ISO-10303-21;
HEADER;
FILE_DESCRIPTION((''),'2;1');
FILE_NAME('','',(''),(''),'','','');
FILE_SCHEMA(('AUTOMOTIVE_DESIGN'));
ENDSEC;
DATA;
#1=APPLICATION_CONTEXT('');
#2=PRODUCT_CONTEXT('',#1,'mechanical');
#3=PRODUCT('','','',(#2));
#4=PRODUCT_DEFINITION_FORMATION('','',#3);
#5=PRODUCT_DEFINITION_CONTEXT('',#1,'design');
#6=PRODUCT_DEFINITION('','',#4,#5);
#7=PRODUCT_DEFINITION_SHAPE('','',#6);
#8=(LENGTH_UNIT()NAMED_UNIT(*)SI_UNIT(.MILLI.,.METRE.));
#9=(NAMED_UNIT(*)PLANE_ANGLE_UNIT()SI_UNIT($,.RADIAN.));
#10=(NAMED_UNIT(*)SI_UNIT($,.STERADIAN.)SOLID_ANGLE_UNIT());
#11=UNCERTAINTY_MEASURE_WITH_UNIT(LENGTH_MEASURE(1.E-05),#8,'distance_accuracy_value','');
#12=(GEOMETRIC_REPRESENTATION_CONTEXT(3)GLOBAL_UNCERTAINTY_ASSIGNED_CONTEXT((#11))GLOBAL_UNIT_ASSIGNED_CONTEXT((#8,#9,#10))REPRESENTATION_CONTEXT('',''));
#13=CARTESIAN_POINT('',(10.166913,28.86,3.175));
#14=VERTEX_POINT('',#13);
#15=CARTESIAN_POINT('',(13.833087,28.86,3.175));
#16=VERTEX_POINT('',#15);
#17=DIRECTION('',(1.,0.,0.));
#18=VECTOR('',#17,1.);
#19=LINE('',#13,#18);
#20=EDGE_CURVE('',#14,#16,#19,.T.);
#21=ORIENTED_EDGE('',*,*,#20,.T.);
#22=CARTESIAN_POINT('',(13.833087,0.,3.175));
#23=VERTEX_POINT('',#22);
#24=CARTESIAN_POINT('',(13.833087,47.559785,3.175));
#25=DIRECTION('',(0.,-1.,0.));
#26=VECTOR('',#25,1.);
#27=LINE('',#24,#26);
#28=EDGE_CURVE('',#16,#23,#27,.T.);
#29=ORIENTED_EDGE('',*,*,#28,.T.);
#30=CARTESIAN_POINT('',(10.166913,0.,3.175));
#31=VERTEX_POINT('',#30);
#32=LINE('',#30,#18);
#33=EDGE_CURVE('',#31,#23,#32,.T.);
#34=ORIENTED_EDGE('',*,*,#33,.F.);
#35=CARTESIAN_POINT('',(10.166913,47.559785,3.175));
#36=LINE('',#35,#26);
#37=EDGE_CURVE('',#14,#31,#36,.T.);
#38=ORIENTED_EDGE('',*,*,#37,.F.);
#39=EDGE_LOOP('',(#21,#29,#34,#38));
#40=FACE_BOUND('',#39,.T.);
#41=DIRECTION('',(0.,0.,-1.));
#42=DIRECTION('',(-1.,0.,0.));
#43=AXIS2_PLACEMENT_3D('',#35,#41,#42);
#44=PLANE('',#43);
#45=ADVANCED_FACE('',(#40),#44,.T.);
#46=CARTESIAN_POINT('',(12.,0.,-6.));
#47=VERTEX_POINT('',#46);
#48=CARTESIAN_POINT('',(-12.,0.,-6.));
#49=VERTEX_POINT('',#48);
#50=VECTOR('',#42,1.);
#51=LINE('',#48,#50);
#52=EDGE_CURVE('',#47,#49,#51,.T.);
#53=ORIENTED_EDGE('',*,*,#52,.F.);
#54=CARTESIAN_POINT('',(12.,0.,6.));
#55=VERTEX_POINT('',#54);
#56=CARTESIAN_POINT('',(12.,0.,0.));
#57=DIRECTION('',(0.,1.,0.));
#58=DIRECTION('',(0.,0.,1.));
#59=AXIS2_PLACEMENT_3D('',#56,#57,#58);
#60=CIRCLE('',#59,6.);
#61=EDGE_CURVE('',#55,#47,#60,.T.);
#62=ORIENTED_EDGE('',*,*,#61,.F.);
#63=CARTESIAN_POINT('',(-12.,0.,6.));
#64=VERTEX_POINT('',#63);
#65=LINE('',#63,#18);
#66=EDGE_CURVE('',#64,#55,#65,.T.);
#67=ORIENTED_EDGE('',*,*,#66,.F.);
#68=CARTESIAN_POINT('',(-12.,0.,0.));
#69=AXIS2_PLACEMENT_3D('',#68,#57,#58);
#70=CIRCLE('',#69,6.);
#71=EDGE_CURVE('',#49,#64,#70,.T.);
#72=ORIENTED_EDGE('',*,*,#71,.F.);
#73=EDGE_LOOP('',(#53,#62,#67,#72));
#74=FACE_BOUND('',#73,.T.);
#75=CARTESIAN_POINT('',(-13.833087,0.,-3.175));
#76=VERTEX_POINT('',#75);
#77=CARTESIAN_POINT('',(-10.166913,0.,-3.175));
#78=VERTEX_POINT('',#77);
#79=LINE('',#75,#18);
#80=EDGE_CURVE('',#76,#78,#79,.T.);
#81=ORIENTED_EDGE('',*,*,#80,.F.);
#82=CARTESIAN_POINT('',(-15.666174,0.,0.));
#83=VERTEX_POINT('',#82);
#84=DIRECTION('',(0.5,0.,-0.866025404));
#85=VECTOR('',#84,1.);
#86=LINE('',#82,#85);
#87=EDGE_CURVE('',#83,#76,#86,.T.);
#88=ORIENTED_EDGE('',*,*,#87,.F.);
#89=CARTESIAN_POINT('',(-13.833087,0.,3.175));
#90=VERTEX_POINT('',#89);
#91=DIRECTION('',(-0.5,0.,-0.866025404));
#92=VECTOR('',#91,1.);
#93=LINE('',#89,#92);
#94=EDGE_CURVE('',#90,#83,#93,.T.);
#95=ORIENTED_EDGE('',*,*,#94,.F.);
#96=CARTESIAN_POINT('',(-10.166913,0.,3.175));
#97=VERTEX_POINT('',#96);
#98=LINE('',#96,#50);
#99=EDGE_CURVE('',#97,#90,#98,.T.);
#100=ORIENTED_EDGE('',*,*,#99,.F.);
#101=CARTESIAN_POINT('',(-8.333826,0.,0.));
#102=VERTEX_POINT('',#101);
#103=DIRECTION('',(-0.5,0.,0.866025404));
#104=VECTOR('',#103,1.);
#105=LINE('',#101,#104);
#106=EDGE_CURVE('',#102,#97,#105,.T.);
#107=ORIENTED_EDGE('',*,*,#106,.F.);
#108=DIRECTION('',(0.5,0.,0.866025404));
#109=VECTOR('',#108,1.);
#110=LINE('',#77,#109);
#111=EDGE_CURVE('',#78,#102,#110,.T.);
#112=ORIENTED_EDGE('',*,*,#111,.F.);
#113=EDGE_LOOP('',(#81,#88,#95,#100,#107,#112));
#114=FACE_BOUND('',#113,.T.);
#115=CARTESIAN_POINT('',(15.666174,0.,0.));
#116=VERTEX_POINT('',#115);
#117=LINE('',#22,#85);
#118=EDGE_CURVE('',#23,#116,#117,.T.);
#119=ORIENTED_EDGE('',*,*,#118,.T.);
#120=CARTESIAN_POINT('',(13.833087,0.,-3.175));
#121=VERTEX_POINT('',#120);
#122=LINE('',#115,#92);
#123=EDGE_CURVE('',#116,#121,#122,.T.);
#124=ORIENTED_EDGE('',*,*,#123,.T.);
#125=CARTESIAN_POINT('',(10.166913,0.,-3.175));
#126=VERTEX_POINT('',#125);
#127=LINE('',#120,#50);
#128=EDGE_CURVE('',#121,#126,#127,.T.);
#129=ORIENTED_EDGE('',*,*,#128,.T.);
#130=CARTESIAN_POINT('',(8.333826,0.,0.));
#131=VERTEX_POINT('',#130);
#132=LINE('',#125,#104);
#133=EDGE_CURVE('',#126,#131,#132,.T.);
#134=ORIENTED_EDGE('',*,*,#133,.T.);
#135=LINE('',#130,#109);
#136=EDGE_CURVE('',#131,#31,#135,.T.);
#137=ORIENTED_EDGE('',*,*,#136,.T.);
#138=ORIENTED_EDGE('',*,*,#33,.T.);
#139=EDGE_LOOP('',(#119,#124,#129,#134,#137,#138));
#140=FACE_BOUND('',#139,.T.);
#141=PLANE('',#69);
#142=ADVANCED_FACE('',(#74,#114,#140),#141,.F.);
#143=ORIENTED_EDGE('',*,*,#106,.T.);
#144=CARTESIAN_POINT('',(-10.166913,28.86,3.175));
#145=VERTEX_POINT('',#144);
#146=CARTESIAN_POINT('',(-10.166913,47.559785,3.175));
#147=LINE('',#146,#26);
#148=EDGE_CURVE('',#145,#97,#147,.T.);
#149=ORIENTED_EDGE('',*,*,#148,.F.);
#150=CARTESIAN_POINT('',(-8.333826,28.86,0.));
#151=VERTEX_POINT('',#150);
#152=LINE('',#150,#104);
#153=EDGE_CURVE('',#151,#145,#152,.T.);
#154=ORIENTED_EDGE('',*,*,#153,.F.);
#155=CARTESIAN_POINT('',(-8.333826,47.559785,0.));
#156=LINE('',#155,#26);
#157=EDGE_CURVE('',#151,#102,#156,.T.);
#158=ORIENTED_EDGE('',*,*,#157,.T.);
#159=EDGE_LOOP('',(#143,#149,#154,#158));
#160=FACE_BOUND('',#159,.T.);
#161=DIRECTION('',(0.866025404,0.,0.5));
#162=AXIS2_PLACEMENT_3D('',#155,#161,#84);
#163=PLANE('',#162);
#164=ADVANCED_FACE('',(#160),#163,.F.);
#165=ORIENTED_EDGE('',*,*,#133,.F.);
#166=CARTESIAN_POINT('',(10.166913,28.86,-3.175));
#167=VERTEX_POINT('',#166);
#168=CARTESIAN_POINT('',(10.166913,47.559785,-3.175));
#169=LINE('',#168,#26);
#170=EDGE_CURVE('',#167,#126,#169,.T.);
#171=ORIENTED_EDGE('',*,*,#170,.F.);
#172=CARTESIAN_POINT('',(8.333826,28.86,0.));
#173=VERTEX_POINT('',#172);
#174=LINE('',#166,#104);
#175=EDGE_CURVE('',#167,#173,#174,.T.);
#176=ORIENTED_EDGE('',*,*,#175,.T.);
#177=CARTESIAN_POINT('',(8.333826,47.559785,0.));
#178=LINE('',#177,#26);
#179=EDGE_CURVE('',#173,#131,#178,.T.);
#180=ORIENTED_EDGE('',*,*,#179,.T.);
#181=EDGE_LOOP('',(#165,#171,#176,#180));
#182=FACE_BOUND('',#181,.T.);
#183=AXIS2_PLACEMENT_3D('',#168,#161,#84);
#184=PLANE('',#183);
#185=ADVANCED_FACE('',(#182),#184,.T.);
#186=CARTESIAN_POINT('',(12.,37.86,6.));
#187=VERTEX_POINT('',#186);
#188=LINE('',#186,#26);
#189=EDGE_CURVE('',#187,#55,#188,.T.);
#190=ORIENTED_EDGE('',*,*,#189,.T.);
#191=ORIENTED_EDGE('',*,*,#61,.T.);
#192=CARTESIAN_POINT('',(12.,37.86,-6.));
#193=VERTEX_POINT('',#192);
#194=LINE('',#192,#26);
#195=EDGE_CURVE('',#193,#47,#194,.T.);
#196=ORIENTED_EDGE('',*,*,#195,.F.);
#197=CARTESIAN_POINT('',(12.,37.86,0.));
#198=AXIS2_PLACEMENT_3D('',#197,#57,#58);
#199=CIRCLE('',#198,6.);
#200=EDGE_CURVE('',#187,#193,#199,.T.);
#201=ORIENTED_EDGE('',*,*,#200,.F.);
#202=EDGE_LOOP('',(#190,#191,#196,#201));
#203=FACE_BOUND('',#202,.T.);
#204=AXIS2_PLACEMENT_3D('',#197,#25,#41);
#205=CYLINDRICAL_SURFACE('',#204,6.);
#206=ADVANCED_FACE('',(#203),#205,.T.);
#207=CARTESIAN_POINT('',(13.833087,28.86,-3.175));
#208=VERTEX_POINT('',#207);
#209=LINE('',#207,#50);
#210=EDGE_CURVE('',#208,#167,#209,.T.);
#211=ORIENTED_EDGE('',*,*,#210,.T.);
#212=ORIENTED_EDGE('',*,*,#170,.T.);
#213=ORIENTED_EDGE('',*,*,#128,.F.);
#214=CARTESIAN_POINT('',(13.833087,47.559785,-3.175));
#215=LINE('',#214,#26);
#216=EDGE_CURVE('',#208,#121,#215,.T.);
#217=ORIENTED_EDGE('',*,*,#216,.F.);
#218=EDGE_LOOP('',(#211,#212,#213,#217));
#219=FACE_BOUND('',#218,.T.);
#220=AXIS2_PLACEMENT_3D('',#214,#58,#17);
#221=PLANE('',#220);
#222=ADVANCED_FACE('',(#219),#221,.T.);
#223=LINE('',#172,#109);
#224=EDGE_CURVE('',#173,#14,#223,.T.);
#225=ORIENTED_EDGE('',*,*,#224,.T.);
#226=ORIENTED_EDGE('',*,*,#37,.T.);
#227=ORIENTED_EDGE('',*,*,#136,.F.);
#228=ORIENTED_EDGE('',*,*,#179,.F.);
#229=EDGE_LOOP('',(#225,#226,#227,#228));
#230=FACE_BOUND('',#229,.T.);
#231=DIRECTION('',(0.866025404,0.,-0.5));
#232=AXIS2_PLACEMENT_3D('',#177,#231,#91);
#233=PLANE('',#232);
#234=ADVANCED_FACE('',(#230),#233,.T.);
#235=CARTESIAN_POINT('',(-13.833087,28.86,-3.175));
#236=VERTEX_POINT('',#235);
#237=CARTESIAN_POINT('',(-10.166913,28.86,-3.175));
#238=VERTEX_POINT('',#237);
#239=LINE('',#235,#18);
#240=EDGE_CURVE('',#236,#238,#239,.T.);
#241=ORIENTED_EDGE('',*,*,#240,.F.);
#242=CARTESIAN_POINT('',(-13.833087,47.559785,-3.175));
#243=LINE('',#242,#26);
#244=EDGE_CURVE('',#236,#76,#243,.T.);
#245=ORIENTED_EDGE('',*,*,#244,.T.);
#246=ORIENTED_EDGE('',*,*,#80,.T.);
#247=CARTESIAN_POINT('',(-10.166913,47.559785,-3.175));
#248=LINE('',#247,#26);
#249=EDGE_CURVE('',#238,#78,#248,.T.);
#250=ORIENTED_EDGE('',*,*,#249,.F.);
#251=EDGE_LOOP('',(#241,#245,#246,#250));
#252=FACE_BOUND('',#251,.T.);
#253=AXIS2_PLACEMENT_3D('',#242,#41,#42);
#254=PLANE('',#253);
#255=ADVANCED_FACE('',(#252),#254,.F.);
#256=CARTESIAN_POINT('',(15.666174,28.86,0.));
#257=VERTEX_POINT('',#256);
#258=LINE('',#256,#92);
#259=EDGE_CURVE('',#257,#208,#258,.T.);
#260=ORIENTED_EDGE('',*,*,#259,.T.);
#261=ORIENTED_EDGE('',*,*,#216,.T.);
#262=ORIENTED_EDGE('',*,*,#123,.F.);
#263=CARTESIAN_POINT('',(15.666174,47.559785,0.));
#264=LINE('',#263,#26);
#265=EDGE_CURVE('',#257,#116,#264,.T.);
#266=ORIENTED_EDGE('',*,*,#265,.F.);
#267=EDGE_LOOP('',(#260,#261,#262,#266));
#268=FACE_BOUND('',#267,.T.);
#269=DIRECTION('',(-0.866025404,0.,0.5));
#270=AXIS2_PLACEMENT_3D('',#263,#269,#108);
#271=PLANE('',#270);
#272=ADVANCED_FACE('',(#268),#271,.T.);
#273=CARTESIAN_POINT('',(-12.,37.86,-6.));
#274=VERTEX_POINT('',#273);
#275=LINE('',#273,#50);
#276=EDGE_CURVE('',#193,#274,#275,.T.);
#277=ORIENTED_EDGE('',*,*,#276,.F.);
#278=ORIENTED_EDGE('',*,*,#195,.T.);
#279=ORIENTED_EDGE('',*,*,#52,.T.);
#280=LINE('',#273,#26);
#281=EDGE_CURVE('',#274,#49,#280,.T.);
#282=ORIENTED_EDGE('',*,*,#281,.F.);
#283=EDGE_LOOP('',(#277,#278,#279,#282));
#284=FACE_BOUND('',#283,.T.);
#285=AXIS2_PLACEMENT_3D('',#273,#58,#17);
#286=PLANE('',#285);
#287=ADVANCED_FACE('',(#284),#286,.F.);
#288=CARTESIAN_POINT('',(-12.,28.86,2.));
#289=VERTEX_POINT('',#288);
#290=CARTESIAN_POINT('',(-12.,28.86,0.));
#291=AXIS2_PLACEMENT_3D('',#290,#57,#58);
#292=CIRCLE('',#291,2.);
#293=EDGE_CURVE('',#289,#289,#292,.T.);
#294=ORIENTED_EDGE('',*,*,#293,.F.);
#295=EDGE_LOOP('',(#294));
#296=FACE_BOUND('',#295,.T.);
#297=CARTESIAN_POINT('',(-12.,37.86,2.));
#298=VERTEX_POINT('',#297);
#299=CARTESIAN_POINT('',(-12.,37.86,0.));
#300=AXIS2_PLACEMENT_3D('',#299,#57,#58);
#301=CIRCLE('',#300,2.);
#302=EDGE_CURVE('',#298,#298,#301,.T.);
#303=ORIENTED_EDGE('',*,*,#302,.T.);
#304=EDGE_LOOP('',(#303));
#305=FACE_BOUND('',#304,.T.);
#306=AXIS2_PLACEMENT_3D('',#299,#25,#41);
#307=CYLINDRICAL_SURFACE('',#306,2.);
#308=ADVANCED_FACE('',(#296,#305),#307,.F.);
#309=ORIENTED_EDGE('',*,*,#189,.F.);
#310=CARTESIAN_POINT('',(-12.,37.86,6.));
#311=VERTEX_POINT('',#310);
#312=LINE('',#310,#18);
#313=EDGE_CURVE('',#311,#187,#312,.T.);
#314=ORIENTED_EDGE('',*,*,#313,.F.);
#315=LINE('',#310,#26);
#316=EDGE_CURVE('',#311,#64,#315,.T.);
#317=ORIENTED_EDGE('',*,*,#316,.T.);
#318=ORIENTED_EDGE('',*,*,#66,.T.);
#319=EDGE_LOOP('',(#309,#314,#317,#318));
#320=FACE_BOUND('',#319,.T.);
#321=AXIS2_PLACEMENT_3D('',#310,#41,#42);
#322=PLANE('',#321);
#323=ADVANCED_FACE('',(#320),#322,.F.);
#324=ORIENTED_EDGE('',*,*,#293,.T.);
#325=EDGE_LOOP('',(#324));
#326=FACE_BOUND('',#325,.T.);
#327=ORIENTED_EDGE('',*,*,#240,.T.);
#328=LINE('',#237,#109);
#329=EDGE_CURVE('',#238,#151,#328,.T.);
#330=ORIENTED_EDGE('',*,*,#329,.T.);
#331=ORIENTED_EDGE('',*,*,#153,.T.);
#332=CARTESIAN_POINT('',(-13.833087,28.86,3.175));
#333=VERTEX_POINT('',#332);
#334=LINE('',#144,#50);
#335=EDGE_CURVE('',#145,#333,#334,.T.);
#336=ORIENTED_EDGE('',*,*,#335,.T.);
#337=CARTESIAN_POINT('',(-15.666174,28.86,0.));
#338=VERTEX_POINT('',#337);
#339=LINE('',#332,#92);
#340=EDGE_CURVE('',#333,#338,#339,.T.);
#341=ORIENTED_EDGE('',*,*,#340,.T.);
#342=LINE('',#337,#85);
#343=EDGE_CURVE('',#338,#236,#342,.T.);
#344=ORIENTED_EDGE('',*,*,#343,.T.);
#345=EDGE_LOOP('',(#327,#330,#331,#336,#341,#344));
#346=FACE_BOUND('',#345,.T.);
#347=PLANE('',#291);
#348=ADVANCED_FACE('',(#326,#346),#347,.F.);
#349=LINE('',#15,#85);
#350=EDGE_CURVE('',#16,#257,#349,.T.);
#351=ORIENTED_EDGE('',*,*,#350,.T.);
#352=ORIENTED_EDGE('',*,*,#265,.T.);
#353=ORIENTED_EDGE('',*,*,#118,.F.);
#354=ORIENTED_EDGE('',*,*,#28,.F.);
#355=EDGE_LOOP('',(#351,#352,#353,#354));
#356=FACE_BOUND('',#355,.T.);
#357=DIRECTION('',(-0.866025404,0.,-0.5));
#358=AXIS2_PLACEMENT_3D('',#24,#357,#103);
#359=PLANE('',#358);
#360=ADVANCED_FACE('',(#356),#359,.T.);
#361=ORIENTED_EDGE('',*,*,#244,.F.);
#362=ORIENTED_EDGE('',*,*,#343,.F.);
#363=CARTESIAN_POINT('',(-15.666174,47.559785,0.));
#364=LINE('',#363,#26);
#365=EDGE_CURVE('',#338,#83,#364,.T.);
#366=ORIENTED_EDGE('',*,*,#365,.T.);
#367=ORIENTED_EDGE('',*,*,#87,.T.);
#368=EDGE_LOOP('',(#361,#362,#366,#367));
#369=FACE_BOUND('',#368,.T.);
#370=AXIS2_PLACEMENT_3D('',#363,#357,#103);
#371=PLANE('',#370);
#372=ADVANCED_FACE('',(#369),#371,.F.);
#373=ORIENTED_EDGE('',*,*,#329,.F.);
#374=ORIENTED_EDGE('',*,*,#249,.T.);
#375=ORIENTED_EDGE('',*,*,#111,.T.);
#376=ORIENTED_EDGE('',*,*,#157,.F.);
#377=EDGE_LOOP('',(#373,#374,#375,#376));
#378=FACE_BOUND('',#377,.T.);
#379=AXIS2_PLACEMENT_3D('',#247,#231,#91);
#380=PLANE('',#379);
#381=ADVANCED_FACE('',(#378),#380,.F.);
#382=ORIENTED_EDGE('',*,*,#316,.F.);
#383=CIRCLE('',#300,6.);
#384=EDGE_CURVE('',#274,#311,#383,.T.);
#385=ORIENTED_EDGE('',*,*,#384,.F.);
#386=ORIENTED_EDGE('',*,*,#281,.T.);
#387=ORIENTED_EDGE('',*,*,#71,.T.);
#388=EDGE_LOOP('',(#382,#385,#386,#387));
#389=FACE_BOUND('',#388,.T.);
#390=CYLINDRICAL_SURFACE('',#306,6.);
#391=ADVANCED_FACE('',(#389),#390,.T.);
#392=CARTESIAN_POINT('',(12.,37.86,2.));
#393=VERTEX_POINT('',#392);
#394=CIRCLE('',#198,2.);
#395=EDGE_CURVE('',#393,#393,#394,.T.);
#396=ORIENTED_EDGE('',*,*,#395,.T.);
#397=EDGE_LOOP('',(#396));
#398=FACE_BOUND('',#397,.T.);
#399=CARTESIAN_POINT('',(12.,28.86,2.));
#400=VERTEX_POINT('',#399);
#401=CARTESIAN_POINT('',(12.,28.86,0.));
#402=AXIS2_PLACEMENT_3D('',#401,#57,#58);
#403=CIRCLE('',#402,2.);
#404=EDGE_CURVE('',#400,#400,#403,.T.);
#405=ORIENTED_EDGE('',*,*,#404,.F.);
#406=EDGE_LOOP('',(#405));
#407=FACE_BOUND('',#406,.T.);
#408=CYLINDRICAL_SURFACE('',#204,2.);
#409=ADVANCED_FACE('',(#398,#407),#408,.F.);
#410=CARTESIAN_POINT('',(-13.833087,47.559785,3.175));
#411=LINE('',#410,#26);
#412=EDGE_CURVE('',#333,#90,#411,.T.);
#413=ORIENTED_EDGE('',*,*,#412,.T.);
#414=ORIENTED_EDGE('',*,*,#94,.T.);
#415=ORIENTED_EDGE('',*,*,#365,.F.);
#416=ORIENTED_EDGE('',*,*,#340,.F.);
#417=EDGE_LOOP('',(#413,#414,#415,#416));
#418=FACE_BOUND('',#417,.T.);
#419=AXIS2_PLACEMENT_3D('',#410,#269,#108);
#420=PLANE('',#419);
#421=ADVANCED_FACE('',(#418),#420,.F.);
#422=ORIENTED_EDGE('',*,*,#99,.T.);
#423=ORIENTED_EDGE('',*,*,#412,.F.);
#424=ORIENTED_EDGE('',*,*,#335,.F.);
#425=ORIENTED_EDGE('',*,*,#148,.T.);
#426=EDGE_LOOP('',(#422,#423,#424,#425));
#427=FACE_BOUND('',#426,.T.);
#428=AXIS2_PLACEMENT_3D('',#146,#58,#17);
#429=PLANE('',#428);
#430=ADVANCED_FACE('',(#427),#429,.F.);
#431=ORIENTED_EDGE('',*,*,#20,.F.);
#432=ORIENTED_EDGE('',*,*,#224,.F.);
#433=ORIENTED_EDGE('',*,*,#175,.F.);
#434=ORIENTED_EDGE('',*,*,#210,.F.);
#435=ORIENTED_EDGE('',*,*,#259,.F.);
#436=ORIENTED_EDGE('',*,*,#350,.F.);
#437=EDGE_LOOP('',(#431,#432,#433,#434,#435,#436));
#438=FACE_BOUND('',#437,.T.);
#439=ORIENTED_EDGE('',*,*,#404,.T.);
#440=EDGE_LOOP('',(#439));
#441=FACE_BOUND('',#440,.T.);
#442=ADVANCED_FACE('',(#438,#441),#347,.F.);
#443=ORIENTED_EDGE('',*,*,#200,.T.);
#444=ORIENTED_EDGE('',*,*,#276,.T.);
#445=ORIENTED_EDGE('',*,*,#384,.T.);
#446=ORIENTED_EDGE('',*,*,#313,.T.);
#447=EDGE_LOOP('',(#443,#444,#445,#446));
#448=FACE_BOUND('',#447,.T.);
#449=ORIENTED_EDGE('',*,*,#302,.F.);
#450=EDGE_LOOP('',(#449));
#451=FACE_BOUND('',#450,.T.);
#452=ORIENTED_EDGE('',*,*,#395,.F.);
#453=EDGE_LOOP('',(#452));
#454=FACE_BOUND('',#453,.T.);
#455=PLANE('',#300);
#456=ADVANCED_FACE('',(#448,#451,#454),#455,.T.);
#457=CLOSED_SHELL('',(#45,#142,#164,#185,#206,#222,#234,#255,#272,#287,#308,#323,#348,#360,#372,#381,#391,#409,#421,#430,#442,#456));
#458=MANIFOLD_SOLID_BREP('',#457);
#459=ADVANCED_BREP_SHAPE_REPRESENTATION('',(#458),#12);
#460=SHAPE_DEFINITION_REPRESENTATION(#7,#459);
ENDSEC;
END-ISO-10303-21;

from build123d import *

# Parameters (mm, degrees)
SKETCH1_R           = 2
BOSS_EXTRUDE1_DEPTH = 37.86
CUT_EXTRUDE1_DEPTH  = 28.86


with BuildPart() as part:
    # Sketch1 → Boss-Extrude1 (new body)
    with BuildSketch(Plane(origin=(0, 0, 0), x_dir=(1, 0, 0), z_dir=(0, 1, 0))):
        with BuildLine():
            Line((-12, 6), (12, 6))
            ThreePointArc((12, 6), (18, 0), (12, -6))
            Line((12, -6), (-12, -6))
            ThreePointArc((-12, -6), (-18, 0), (-12, 6))
        make_face()
        with Locations(Location((-12, 0, 0), (0, 0, 270))):
            Circle(SKETCH1_R, mode=Mode.SUBTRACT)
        with Locations(Location((12, 0, 0), (0, 0, 270))):
            Circle(SKETCH1_R, mode=Mode.SUBTRACT)
    extrude(amount=BOSS_EXTRUDE1_DEPTH)

    # Sketch2 → Cut-Extrude1 (cut)
    with BuildSketch(Plane.XZ):
        Polygon((-13.833087105, 3.175), (-15.666174209, 0), (-13.833087105, -3.175), (-10.166912895, -3.175), (-8.333825791, 0), (-10.166912895, 3.175), align=None)
    cut_extrude1 = extrude(amount=-CUT_EXTRUDE1_DEPTH, mode=Mode.SUBTRACT)

    # Mirror1: Cut-Extrude1 across plane
    add(cut_extrude1.mirror(Plane(origin=(0, 0, 0), x_dir=(0, 0, 1), z_dir=(1, 0, 0))), mode=Mode.SUBTRACT)


solid = part.part
